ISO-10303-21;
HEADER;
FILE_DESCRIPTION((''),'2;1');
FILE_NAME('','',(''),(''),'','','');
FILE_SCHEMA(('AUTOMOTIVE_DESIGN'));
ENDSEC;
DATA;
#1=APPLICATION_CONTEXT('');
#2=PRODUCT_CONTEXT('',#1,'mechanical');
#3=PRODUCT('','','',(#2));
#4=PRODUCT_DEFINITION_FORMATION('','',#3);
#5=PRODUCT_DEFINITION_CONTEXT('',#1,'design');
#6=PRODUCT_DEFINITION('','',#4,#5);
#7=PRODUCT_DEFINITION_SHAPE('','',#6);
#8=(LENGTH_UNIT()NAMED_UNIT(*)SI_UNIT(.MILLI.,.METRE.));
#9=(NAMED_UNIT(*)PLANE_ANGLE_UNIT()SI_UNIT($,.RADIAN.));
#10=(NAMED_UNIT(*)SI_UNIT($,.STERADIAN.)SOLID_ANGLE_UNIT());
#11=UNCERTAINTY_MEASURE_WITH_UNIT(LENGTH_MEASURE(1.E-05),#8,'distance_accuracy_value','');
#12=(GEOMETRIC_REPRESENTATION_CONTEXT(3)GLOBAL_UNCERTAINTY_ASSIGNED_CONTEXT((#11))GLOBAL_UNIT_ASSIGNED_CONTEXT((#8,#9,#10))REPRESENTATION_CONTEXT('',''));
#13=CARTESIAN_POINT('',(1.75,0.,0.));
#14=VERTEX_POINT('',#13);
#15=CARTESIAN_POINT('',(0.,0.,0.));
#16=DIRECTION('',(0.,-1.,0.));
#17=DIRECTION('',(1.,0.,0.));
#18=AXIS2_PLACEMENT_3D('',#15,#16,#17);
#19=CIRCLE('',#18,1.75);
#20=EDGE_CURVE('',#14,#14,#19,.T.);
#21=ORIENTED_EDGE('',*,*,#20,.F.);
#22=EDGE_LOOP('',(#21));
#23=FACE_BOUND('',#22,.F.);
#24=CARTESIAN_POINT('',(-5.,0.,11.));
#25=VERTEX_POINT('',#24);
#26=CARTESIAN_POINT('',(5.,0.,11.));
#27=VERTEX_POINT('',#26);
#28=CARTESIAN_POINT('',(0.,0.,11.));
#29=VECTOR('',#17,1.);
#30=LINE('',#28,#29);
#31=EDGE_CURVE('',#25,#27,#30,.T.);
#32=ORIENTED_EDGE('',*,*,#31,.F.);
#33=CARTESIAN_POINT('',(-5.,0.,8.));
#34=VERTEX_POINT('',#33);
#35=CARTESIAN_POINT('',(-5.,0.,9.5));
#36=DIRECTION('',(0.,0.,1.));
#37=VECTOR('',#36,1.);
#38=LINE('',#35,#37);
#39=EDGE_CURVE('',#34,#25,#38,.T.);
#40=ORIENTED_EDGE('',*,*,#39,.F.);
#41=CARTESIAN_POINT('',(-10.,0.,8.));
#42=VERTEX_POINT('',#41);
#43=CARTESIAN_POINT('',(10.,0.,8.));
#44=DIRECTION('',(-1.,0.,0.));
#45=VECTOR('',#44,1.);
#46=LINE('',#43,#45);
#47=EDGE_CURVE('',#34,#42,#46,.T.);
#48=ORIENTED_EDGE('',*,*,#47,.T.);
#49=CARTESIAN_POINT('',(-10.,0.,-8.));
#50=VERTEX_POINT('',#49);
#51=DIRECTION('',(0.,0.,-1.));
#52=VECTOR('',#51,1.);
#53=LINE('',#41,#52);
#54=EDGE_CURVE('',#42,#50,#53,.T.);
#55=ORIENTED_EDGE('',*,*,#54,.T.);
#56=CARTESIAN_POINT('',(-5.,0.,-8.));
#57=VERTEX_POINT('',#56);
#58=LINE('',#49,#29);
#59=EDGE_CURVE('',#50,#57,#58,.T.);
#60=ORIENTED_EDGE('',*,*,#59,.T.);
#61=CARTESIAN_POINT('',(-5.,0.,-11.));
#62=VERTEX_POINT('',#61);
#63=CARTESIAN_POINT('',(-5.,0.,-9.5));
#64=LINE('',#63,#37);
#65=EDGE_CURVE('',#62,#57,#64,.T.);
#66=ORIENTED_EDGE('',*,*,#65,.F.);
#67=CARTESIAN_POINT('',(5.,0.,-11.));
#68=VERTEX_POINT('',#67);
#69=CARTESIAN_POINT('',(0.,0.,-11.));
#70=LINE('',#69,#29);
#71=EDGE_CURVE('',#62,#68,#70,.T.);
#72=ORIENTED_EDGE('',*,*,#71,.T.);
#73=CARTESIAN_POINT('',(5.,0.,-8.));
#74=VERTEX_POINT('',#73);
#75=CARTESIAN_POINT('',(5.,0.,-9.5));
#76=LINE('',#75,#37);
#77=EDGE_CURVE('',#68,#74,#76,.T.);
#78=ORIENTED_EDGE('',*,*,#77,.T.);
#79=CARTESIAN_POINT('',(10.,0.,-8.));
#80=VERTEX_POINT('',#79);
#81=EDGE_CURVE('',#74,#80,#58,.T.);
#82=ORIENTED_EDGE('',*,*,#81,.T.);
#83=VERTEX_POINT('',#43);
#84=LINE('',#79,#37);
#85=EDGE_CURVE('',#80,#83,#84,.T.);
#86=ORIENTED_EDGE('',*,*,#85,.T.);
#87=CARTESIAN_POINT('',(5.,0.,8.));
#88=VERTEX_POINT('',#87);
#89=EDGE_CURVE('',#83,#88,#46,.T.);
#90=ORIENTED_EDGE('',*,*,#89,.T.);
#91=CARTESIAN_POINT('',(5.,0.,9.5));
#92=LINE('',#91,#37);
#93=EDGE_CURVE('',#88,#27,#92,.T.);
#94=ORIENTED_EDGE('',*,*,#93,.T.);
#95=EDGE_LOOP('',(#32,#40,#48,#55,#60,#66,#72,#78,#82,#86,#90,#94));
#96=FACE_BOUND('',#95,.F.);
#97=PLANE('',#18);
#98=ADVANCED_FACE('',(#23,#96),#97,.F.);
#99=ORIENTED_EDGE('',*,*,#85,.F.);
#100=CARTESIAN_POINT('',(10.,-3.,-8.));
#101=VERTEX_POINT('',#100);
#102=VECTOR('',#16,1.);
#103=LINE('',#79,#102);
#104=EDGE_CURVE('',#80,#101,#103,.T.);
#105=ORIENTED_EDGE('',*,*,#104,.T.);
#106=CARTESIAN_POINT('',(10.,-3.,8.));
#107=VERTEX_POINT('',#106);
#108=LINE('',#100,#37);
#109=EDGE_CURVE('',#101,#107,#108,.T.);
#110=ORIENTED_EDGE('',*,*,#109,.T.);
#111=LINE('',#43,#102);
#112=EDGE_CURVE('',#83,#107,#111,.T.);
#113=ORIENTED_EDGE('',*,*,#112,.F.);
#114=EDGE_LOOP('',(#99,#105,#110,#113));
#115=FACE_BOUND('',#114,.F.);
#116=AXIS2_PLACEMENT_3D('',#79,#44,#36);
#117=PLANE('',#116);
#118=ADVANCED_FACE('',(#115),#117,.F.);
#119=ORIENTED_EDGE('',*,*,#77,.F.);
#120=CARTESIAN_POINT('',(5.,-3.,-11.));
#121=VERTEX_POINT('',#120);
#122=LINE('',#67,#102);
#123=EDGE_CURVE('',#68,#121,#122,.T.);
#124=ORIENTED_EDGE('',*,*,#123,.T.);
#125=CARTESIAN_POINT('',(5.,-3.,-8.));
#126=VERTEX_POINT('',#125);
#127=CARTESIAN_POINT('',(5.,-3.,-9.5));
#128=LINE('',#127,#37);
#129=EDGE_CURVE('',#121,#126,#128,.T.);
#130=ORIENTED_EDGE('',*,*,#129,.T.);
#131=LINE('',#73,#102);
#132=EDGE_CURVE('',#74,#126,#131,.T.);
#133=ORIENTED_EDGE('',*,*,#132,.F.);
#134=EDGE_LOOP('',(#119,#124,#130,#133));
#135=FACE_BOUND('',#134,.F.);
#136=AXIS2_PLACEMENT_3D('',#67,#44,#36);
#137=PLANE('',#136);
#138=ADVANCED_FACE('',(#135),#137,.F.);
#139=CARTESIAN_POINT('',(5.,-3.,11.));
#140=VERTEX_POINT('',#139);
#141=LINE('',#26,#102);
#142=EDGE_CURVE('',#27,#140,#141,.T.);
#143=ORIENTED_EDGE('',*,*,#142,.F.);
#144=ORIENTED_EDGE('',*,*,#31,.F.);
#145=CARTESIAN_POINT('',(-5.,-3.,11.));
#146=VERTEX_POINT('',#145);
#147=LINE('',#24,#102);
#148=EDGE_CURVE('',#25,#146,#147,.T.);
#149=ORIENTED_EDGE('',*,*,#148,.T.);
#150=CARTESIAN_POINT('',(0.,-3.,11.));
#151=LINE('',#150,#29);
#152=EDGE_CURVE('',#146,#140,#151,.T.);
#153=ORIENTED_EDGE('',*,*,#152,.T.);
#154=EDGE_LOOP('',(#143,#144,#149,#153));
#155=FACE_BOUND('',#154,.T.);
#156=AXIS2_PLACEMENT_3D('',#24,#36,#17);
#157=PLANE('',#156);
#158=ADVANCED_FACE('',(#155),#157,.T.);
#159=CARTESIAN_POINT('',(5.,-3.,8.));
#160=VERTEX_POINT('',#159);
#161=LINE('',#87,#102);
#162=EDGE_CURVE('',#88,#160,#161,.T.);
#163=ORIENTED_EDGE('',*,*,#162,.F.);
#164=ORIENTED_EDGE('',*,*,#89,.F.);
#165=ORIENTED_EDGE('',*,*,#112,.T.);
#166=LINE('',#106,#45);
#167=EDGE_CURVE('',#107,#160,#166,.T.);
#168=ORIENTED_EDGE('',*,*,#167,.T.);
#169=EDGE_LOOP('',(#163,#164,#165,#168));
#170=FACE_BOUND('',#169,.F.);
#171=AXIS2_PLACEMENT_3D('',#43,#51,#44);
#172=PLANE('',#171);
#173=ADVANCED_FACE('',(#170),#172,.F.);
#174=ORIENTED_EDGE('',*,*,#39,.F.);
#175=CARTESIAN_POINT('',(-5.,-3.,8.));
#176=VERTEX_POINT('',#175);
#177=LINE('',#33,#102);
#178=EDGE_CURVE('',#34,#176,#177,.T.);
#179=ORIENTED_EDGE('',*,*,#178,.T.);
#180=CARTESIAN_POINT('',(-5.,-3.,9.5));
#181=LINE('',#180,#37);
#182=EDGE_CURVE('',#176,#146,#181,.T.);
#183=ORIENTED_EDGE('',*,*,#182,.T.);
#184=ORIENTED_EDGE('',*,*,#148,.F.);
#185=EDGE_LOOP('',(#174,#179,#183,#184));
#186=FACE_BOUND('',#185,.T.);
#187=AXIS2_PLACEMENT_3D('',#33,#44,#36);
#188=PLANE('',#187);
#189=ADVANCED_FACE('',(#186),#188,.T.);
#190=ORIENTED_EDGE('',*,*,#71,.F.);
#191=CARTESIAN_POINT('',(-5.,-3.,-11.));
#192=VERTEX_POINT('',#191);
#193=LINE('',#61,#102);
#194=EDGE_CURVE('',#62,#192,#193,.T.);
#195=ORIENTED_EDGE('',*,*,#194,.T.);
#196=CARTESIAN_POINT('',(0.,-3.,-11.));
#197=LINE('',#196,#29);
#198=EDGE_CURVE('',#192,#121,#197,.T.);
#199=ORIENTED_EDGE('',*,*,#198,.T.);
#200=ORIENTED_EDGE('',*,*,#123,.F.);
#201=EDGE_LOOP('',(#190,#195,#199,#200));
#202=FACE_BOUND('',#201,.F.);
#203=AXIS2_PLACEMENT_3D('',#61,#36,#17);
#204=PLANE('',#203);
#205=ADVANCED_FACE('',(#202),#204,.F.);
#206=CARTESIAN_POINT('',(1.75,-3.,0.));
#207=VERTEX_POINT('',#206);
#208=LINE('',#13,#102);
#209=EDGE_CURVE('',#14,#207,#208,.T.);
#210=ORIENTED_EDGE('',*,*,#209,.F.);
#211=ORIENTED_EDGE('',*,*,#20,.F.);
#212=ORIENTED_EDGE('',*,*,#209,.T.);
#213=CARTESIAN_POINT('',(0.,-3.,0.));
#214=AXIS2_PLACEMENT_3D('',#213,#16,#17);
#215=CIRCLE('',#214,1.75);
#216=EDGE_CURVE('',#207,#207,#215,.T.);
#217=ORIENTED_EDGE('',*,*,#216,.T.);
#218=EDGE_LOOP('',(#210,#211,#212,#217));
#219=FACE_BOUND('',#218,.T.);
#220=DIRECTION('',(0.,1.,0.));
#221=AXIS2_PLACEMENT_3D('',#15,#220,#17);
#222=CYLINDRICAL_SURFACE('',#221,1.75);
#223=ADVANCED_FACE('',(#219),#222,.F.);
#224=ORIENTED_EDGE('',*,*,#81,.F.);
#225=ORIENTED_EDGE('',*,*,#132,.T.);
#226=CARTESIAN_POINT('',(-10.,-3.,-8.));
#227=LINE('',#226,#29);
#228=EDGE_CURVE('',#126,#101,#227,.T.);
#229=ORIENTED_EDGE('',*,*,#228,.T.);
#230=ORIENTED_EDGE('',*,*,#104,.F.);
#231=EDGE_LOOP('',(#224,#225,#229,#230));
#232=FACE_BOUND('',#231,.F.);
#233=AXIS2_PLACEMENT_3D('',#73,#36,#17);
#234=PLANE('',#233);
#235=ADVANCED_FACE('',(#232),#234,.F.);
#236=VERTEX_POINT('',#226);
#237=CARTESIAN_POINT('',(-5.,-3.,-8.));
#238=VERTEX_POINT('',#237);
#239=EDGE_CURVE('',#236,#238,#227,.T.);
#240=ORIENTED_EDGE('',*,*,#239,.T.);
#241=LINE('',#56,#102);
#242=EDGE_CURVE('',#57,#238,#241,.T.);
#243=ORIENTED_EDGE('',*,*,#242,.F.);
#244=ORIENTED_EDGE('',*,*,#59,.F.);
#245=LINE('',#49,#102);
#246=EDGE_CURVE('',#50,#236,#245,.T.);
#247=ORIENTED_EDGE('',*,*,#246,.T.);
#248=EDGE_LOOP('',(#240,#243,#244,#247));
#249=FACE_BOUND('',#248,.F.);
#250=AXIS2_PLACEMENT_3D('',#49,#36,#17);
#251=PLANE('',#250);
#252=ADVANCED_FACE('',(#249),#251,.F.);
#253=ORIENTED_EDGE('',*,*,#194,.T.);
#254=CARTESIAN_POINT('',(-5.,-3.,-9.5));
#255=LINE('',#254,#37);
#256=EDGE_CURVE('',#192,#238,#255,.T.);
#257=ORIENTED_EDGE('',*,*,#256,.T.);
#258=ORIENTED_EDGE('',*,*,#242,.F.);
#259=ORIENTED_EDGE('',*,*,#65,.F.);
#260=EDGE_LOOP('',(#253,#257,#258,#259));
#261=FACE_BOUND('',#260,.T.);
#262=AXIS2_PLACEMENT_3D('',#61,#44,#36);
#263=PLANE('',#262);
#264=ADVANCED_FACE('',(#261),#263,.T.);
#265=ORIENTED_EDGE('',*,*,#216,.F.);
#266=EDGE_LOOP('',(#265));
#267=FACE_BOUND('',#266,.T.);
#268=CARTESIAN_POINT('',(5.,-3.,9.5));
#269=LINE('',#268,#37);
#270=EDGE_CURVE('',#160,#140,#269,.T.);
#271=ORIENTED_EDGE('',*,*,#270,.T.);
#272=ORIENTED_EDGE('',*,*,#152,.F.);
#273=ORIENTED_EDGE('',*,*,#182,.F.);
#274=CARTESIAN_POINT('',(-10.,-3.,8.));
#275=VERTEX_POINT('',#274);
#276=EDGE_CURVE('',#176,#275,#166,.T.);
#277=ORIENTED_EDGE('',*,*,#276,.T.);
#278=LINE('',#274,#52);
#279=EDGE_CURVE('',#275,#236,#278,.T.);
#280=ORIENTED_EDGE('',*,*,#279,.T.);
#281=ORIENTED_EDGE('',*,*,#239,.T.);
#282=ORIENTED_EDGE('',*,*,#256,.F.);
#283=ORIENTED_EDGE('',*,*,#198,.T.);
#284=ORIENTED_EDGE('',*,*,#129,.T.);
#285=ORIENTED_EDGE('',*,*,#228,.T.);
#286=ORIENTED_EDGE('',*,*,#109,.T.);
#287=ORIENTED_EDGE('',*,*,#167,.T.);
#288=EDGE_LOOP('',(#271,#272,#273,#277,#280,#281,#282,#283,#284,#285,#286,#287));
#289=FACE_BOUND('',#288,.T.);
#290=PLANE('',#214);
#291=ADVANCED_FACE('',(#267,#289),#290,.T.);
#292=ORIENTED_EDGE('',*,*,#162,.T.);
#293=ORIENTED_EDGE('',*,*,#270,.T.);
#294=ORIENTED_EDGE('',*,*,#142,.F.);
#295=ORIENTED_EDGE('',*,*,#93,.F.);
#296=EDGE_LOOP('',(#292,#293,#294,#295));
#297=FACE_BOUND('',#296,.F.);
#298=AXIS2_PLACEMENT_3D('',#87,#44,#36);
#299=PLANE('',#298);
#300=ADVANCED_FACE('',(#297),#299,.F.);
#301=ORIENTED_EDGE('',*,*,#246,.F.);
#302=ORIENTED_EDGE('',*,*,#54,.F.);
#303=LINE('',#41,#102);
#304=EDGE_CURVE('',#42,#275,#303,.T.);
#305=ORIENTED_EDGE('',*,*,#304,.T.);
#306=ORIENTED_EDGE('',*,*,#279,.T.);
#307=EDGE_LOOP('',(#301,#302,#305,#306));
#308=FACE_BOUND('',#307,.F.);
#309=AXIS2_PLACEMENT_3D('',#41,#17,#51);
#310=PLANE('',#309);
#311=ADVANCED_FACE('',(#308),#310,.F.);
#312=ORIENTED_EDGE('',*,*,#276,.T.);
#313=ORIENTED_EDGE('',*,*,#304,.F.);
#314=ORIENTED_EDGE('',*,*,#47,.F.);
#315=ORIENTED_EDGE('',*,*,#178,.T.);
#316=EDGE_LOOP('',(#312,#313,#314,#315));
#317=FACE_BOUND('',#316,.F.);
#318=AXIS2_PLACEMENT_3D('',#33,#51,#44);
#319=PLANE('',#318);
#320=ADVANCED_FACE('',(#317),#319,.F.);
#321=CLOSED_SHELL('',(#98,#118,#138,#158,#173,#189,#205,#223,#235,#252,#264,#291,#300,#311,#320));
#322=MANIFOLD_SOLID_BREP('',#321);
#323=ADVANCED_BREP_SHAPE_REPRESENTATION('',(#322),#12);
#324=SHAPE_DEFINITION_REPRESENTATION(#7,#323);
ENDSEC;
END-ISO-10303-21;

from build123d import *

# Parameters (mm, degrees)
F0_R     = 1.75
F0_W     = 10
F0_H     = 3
F1_DEPTH = 3


with BuildPart() as f1:
    # F0 (on Front) → F1 (new body)
    with BuildSketch(Plane.XZ):
        Polygon((10, -8), (10, 8), (5, 8), (-5, 8), (-10, 8), (-10, -8), (-5, -8), (5, -8), align=None)
        Circle(F0_R, mode=Mode.SUBTRACT)
        with Locations((0, 9.5)):
            Rectangle(F0_W, F0_H)
        with Locations((0, -9.5)):
            Rectangle(F0_W, F0_H)
    extrude(amount=F1_DEPTH)


solid = f1.part
